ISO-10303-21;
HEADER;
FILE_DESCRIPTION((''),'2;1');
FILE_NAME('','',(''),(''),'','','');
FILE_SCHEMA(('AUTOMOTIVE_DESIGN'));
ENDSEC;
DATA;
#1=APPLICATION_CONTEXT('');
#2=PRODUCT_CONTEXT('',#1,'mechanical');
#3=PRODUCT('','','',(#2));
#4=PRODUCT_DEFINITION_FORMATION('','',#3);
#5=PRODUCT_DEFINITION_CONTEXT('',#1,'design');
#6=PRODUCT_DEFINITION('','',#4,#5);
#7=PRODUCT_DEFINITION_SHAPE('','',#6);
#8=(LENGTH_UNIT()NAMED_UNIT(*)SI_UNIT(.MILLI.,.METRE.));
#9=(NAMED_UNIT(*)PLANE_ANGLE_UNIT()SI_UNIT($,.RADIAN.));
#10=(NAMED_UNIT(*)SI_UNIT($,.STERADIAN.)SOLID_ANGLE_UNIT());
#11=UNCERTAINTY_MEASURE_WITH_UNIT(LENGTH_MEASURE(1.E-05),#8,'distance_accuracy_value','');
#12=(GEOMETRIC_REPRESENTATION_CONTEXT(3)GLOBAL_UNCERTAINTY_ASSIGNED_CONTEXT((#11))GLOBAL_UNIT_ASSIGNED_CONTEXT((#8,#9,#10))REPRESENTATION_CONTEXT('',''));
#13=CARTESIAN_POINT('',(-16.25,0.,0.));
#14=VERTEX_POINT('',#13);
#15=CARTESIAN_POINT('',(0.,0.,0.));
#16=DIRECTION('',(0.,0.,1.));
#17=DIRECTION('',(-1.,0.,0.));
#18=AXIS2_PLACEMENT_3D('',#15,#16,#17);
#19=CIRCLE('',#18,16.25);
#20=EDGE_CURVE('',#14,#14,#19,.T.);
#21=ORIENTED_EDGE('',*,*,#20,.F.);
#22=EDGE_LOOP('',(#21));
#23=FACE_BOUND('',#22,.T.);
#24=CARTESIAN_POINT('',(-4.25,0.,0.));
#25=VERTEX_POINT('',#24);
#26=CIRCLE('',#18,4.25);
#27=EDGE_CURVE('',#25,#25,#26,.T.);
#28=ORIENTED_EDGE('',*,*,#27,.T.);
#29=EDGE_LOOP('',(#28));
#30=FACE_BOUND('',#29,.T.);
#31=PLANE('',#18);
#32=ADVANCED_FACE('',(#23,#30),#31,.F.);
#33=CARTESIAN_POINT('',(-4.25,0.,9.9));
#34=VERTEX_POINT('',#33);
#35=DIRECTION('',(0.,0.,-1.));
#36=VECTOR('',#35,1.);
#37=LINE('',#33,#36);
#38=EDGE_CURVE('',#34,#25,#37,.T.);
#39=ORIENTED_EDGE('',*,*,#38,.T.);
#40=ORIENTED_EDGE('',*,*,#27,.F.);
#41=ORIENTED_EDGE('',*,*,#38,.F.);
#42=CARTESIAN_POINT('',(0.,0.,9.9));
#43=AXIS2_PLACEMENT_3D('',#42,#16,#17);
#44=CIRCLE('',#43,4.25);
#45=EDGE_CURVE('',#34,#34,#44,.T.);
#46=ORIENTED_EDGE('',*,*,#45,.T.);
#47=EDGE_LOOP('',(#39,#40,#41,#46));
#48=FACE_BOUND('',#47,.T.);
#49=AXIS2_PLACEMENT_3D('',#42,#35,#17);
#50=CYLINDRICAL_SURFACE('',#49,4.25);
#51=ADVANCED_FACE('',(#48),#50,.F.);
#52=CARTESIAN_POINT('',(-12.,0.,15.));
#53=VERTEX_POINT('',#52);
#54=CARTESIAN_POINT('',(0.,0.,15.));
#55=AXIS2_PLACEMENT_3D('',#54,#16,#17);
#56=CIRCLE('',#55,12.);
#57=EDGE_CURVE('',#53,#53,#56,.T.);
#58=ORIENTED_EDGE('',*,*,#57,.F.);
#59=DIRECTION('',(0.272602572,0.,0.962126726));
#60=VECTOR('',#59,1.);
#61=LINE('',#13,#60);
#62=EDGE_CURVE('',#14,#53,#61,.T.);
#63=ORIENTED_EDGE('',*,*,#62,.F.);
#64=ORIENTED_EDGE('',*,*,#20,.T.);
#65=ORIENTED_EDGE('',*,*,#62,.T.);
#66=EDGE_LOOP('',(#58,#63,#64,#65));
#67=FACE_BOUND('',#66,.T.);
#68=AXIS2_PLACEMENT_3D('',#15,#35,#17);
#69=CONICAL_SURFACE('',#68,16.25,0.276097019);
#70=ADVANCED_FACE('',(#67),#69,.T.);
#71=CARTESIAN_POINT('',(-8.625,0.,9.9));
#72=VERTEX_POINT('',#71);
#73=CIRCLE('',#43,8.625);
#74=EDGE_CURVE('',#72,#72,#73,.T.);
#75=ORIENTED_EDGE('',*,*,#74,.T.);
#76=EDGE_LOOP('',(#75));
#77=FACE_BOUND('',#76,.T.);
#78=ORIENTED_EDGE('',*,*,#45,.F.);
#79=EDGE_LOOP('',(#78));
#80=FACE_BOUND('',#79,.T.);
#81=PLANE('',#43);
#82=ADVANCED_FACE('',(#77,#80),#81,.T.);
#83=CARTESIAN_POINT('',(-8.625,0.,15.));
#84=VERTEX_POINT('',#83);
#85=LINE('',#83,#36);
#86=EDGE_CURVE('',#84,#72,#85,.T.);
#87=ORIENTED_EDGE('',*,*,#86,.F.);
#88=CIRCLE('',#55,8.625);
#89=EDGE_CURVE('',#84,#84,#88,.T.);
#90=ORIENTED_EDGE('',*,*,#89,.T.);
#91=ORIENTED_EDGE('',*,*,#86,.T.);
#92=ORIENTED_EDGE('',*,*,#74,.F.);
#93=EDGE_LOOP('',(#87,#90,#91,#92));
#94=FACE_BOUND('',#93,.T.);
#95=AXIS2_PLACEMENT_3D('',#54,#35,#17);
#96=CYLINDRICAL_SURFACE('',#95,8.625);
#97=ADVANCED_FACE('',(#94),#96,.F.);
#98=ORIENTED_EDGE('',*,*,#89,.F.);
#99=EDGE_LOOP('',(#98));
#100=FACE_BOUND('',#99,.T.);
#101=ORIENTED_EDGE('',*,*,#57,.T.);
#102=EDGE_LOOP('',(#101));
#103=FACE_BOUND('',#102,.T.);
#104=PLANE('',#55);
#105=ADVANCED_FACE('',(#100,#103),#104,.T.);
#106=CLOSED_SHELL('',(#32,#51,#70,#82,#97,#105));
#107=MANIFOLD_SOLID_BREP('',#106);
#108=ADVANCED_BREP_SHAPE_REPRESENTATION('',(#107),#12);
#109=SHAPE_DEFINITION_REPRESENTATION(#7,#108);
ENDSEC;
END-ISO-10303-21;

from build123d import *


with BuildPart() as part:
    # Sketch001 → Revolution (revolve)
    with BuildSketch(Plane.XZ):
        Polygon((-8.625, 9.9), (-4.25, 9.9), (-4.25, 0), (-16.25, 0), (-12, 15), (-8.625, 15), align=None)
    revolve(axis=Axis((0, 0, 0), (0, 0, 1)))


solid = part.part
